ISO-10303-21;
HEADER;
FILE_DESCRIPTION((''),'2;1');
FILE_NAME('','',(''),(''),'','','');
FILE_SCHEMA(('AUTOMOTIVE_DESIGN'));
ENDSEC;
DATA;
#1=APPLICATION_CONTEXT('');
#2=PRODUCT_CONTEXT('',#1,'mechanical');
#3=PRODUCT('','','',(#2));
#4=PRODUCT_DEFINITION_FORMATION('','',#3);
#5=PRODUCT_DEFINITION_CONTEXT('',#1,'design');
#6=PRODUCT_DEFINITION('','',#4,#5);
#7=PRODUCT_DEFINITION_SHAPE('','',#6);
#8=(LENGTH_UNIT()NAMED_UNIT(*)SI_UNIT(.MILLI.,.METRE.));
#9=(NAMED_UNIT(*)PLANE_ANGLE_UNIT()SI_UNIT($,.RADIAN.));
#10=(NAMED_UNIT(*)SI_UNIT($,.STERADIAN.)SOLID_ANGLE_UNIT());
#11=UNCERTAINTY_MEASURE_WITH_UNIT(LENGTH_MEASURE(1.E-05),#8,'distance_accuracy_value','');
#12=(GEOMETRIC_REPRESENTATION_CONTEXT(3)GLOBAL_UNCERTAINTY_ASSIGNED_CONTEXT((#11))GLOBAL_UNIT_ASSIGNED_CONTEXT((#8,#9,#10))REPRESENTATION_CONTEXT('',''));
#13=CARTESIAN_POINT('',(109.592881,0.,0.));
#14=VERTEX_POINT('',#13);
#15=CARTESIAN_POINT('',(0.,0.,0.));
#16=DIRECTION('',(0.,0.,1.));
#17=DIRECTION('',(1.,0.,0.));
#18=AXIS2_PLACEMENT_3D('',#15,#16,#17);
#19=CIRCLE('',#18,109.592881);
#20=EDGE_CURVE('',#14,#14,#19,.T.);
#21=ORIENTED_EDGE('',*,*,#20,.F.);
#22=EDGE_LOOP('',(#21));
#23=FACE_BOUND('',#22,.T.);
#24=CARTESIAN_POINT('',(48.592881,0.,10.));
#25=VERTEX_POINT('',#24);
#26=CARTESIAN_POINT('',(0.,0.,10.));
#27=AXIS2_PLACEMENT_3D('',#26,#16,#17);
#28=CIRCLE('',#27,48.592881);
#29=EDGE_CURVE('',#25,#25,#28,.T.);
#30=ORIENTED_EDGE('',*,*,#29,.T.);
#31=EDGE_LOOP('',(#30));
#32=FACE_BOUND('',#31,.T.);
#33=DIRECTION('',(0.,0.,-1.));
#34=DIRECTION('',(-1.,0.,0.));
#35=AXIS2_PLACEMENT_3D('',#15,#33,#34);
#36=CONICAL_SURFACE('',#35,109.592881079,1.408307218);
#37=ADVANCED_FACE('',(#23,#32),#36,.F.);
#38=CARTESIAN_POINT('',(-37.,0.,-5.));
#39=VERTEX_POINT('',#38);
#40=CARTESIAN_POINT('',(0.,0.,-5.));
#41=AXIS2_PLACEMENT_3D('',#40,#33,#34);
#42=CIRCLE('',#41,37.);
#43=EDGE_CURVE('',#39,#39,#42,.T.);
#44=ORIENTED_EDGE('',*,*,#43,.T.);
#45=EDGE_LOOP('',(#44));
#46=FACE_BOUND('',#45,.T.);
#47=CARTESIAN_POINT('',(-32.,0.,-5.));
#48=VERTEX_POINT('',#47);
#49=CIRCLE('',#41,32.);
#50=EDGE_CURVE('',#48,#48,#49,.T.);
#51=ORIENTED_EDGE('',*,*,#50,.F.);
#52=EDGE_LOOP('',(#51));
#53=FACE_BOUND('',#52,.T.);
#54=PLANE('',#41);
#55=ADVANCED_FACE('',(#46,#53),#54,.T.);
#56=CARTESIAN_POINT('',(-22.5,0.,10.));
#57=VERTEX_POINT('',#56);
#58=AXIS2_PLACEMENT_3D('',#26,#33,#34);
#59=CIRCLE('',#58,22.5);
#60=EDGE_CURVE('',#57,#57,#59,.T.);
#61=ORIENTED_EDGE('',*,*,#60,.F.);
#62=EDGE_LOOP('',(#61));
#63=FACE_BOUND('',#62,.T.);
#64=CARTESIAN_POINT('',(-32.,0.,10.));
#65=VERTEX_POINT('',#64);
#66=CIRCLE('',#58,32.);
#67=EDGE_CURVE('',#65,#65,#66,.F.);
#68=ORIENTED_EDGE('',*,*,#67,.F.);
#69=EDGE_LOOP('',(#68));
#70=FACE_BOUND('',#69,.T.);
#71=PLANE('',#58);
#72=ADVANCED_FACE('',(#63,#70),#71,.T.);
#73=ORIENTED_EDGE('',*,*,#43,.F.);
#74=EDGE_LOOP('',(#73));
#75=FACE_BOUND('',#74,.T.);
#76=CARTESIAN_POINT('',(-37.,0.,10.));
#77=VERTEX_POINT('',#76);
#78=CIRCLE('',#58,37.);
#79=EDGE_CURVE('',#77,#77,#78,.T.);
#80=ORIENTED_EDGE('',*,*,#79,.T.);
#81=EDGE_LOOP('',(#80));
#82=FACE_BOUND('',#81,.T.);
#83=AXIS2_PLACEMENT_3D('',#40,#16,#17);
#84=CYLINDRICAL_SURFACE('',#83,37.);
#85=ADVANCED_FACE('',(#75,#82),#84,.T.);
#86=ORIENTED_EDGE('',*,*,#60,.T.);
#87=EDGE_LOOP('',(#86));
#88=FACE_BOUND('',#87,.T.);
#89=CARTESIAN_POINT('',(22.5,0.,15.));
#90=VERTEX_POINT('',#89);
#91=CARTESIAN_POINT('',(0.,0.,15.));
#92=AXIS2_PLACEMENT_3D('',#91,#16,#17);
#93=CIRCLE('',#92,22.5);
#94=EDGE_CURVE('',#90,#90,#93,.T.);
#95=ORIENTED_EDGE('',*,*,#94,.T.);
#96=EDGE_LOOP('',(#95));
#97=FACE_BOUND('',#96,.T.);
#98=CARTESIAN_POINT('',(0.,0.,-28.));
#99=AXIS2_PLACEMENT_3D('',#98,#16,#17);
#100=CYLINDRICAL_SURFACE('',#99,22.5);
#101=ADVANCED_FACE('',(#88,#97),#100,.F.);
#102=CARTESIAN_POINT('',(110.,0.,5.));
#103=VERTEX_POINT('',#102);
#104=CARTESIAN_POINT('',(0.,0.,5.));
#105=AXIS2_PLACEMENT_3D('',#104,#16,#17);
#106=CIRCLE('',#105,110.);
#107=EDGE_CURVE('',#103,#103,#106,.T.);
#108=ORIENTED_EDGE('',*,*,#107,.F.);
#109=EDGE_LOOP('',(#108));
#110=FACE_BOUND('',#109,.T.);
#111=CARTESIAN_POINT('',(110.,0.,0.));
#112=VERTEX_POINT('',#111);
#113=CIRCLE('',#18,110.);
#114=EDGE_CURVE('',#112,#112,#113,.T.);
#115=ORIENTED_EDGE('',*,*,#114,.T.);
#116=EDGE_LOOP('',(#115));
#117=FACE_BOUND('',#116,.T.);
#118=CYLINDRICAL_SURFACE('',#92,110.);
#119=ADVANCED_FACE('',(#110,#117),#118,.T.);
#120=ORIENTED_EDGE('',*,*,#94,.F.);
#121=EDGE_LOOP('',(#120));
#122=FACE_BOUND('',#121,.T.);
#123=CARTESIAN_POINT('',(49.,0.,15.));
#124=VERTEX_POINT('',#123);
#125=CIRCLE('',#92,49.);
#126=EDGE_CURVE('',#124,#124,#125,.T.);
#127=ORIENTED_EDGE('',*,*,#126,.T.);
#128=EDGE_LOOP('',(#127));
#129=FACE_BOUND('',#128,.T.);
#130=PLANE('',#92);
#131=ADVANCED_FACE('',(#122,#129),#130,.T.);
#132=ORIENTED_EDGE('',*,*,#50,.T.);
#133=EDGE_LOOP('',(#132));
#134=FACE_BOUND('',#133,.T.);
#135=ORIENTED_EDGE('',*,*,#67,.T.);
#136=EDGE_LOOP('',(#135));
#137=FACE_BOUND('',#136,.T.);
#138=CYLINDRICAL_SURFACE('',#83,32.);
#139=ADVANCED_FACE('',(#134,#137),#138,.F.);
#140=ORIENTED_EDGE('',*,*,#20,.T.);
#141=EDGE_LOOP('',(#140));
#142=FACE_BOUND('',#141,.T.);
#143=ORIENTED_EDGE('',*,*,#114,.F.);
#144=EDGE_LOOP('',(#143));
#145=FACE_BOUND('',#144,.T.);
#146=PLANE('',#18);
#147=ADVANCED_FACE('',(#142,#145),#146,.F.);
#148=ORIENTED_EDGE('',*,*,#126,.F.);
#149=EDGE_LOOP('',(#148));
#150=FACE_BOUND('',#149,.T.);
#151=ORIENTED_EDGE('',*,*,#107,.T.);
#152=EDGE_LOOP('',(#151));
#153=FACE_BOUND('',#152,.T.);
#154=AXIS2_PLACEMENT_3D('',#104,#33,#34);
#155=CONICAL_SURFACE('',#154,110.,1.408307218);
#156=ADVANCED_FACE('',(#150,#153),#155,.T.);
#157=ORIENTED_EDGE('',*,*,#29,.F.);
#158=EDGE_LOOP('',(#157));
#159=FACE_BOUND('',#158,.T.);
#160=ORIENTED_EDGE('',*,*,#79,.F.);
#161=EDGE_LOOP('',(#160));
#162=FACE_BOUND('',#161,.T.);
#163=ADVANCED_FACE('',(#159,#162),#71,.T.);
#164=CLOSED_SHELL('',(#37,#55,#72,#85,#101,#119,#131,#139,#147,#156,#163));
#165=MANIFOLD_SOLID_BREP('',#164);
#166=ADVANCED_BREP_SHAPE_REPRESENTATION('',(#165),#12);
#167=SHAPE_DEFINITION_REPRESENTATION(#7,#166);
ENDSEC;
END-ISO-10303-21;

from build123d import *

# Parameters (mm, degrees)
SKETCH1_R           = 22.5
BOSS_EXTRUDE1_DEPTH = 15
SKETCH3_R           = 22.5
CUT_EXTRUDE1_DEPTH  = 43
SKETCH4_R           = 37
SKETCH4_R_2         = 32
BOSS_EXTRUDE2_DEPTH = 15


with BuildPart() as part:
    # Sketch1 → Boss-Extrude1 (new body)
    with BuildSketch(Plane.XY):
        Circle(SKETCH1_R)
    extrude(amount=BOSS_EXTRUDE1_DEPTH)

    # Sketch2 → Revolve1 (revolve)
    with BuildSketch(Plane(origin=(0, 0, 0), x_dir=(0, 0, -1), z_dir=(1, 0, 0))):
        Polygon((-15, 49), (-15, 22.5), (-10, 22.5), (-10, 48.592881079), (0, 109.592881079), (0, 110), (-5, 110), align=None)
    revolve(axis=Axis((0, 0, 15), (0, 0, -1)))

    # Sketch3 → Cut-Extrude1 (cut)
    with BuildSketch(Plane.XY.offset(15)):
        Circle(SKETCH3_R)
    extrude(amount=-CUT_EXTRUDE1_DEPTH, mode=Mode.SUBTRACT)

    # Sketch4 → Boss-Extrude2 (add)
    with BuildSketch(Plane(origin=(0, 0, 10), x_dir=(-1, 0, 0), z_dir=(0, 0, -1))):
        Circle(SKETCH4_R)
        Circle(SKETCH4_R_2, mode=Mode.SUBTRACT)
    extrude(amount=BOSS_EXTRUDE2_DEPTH)


solid = part.part
